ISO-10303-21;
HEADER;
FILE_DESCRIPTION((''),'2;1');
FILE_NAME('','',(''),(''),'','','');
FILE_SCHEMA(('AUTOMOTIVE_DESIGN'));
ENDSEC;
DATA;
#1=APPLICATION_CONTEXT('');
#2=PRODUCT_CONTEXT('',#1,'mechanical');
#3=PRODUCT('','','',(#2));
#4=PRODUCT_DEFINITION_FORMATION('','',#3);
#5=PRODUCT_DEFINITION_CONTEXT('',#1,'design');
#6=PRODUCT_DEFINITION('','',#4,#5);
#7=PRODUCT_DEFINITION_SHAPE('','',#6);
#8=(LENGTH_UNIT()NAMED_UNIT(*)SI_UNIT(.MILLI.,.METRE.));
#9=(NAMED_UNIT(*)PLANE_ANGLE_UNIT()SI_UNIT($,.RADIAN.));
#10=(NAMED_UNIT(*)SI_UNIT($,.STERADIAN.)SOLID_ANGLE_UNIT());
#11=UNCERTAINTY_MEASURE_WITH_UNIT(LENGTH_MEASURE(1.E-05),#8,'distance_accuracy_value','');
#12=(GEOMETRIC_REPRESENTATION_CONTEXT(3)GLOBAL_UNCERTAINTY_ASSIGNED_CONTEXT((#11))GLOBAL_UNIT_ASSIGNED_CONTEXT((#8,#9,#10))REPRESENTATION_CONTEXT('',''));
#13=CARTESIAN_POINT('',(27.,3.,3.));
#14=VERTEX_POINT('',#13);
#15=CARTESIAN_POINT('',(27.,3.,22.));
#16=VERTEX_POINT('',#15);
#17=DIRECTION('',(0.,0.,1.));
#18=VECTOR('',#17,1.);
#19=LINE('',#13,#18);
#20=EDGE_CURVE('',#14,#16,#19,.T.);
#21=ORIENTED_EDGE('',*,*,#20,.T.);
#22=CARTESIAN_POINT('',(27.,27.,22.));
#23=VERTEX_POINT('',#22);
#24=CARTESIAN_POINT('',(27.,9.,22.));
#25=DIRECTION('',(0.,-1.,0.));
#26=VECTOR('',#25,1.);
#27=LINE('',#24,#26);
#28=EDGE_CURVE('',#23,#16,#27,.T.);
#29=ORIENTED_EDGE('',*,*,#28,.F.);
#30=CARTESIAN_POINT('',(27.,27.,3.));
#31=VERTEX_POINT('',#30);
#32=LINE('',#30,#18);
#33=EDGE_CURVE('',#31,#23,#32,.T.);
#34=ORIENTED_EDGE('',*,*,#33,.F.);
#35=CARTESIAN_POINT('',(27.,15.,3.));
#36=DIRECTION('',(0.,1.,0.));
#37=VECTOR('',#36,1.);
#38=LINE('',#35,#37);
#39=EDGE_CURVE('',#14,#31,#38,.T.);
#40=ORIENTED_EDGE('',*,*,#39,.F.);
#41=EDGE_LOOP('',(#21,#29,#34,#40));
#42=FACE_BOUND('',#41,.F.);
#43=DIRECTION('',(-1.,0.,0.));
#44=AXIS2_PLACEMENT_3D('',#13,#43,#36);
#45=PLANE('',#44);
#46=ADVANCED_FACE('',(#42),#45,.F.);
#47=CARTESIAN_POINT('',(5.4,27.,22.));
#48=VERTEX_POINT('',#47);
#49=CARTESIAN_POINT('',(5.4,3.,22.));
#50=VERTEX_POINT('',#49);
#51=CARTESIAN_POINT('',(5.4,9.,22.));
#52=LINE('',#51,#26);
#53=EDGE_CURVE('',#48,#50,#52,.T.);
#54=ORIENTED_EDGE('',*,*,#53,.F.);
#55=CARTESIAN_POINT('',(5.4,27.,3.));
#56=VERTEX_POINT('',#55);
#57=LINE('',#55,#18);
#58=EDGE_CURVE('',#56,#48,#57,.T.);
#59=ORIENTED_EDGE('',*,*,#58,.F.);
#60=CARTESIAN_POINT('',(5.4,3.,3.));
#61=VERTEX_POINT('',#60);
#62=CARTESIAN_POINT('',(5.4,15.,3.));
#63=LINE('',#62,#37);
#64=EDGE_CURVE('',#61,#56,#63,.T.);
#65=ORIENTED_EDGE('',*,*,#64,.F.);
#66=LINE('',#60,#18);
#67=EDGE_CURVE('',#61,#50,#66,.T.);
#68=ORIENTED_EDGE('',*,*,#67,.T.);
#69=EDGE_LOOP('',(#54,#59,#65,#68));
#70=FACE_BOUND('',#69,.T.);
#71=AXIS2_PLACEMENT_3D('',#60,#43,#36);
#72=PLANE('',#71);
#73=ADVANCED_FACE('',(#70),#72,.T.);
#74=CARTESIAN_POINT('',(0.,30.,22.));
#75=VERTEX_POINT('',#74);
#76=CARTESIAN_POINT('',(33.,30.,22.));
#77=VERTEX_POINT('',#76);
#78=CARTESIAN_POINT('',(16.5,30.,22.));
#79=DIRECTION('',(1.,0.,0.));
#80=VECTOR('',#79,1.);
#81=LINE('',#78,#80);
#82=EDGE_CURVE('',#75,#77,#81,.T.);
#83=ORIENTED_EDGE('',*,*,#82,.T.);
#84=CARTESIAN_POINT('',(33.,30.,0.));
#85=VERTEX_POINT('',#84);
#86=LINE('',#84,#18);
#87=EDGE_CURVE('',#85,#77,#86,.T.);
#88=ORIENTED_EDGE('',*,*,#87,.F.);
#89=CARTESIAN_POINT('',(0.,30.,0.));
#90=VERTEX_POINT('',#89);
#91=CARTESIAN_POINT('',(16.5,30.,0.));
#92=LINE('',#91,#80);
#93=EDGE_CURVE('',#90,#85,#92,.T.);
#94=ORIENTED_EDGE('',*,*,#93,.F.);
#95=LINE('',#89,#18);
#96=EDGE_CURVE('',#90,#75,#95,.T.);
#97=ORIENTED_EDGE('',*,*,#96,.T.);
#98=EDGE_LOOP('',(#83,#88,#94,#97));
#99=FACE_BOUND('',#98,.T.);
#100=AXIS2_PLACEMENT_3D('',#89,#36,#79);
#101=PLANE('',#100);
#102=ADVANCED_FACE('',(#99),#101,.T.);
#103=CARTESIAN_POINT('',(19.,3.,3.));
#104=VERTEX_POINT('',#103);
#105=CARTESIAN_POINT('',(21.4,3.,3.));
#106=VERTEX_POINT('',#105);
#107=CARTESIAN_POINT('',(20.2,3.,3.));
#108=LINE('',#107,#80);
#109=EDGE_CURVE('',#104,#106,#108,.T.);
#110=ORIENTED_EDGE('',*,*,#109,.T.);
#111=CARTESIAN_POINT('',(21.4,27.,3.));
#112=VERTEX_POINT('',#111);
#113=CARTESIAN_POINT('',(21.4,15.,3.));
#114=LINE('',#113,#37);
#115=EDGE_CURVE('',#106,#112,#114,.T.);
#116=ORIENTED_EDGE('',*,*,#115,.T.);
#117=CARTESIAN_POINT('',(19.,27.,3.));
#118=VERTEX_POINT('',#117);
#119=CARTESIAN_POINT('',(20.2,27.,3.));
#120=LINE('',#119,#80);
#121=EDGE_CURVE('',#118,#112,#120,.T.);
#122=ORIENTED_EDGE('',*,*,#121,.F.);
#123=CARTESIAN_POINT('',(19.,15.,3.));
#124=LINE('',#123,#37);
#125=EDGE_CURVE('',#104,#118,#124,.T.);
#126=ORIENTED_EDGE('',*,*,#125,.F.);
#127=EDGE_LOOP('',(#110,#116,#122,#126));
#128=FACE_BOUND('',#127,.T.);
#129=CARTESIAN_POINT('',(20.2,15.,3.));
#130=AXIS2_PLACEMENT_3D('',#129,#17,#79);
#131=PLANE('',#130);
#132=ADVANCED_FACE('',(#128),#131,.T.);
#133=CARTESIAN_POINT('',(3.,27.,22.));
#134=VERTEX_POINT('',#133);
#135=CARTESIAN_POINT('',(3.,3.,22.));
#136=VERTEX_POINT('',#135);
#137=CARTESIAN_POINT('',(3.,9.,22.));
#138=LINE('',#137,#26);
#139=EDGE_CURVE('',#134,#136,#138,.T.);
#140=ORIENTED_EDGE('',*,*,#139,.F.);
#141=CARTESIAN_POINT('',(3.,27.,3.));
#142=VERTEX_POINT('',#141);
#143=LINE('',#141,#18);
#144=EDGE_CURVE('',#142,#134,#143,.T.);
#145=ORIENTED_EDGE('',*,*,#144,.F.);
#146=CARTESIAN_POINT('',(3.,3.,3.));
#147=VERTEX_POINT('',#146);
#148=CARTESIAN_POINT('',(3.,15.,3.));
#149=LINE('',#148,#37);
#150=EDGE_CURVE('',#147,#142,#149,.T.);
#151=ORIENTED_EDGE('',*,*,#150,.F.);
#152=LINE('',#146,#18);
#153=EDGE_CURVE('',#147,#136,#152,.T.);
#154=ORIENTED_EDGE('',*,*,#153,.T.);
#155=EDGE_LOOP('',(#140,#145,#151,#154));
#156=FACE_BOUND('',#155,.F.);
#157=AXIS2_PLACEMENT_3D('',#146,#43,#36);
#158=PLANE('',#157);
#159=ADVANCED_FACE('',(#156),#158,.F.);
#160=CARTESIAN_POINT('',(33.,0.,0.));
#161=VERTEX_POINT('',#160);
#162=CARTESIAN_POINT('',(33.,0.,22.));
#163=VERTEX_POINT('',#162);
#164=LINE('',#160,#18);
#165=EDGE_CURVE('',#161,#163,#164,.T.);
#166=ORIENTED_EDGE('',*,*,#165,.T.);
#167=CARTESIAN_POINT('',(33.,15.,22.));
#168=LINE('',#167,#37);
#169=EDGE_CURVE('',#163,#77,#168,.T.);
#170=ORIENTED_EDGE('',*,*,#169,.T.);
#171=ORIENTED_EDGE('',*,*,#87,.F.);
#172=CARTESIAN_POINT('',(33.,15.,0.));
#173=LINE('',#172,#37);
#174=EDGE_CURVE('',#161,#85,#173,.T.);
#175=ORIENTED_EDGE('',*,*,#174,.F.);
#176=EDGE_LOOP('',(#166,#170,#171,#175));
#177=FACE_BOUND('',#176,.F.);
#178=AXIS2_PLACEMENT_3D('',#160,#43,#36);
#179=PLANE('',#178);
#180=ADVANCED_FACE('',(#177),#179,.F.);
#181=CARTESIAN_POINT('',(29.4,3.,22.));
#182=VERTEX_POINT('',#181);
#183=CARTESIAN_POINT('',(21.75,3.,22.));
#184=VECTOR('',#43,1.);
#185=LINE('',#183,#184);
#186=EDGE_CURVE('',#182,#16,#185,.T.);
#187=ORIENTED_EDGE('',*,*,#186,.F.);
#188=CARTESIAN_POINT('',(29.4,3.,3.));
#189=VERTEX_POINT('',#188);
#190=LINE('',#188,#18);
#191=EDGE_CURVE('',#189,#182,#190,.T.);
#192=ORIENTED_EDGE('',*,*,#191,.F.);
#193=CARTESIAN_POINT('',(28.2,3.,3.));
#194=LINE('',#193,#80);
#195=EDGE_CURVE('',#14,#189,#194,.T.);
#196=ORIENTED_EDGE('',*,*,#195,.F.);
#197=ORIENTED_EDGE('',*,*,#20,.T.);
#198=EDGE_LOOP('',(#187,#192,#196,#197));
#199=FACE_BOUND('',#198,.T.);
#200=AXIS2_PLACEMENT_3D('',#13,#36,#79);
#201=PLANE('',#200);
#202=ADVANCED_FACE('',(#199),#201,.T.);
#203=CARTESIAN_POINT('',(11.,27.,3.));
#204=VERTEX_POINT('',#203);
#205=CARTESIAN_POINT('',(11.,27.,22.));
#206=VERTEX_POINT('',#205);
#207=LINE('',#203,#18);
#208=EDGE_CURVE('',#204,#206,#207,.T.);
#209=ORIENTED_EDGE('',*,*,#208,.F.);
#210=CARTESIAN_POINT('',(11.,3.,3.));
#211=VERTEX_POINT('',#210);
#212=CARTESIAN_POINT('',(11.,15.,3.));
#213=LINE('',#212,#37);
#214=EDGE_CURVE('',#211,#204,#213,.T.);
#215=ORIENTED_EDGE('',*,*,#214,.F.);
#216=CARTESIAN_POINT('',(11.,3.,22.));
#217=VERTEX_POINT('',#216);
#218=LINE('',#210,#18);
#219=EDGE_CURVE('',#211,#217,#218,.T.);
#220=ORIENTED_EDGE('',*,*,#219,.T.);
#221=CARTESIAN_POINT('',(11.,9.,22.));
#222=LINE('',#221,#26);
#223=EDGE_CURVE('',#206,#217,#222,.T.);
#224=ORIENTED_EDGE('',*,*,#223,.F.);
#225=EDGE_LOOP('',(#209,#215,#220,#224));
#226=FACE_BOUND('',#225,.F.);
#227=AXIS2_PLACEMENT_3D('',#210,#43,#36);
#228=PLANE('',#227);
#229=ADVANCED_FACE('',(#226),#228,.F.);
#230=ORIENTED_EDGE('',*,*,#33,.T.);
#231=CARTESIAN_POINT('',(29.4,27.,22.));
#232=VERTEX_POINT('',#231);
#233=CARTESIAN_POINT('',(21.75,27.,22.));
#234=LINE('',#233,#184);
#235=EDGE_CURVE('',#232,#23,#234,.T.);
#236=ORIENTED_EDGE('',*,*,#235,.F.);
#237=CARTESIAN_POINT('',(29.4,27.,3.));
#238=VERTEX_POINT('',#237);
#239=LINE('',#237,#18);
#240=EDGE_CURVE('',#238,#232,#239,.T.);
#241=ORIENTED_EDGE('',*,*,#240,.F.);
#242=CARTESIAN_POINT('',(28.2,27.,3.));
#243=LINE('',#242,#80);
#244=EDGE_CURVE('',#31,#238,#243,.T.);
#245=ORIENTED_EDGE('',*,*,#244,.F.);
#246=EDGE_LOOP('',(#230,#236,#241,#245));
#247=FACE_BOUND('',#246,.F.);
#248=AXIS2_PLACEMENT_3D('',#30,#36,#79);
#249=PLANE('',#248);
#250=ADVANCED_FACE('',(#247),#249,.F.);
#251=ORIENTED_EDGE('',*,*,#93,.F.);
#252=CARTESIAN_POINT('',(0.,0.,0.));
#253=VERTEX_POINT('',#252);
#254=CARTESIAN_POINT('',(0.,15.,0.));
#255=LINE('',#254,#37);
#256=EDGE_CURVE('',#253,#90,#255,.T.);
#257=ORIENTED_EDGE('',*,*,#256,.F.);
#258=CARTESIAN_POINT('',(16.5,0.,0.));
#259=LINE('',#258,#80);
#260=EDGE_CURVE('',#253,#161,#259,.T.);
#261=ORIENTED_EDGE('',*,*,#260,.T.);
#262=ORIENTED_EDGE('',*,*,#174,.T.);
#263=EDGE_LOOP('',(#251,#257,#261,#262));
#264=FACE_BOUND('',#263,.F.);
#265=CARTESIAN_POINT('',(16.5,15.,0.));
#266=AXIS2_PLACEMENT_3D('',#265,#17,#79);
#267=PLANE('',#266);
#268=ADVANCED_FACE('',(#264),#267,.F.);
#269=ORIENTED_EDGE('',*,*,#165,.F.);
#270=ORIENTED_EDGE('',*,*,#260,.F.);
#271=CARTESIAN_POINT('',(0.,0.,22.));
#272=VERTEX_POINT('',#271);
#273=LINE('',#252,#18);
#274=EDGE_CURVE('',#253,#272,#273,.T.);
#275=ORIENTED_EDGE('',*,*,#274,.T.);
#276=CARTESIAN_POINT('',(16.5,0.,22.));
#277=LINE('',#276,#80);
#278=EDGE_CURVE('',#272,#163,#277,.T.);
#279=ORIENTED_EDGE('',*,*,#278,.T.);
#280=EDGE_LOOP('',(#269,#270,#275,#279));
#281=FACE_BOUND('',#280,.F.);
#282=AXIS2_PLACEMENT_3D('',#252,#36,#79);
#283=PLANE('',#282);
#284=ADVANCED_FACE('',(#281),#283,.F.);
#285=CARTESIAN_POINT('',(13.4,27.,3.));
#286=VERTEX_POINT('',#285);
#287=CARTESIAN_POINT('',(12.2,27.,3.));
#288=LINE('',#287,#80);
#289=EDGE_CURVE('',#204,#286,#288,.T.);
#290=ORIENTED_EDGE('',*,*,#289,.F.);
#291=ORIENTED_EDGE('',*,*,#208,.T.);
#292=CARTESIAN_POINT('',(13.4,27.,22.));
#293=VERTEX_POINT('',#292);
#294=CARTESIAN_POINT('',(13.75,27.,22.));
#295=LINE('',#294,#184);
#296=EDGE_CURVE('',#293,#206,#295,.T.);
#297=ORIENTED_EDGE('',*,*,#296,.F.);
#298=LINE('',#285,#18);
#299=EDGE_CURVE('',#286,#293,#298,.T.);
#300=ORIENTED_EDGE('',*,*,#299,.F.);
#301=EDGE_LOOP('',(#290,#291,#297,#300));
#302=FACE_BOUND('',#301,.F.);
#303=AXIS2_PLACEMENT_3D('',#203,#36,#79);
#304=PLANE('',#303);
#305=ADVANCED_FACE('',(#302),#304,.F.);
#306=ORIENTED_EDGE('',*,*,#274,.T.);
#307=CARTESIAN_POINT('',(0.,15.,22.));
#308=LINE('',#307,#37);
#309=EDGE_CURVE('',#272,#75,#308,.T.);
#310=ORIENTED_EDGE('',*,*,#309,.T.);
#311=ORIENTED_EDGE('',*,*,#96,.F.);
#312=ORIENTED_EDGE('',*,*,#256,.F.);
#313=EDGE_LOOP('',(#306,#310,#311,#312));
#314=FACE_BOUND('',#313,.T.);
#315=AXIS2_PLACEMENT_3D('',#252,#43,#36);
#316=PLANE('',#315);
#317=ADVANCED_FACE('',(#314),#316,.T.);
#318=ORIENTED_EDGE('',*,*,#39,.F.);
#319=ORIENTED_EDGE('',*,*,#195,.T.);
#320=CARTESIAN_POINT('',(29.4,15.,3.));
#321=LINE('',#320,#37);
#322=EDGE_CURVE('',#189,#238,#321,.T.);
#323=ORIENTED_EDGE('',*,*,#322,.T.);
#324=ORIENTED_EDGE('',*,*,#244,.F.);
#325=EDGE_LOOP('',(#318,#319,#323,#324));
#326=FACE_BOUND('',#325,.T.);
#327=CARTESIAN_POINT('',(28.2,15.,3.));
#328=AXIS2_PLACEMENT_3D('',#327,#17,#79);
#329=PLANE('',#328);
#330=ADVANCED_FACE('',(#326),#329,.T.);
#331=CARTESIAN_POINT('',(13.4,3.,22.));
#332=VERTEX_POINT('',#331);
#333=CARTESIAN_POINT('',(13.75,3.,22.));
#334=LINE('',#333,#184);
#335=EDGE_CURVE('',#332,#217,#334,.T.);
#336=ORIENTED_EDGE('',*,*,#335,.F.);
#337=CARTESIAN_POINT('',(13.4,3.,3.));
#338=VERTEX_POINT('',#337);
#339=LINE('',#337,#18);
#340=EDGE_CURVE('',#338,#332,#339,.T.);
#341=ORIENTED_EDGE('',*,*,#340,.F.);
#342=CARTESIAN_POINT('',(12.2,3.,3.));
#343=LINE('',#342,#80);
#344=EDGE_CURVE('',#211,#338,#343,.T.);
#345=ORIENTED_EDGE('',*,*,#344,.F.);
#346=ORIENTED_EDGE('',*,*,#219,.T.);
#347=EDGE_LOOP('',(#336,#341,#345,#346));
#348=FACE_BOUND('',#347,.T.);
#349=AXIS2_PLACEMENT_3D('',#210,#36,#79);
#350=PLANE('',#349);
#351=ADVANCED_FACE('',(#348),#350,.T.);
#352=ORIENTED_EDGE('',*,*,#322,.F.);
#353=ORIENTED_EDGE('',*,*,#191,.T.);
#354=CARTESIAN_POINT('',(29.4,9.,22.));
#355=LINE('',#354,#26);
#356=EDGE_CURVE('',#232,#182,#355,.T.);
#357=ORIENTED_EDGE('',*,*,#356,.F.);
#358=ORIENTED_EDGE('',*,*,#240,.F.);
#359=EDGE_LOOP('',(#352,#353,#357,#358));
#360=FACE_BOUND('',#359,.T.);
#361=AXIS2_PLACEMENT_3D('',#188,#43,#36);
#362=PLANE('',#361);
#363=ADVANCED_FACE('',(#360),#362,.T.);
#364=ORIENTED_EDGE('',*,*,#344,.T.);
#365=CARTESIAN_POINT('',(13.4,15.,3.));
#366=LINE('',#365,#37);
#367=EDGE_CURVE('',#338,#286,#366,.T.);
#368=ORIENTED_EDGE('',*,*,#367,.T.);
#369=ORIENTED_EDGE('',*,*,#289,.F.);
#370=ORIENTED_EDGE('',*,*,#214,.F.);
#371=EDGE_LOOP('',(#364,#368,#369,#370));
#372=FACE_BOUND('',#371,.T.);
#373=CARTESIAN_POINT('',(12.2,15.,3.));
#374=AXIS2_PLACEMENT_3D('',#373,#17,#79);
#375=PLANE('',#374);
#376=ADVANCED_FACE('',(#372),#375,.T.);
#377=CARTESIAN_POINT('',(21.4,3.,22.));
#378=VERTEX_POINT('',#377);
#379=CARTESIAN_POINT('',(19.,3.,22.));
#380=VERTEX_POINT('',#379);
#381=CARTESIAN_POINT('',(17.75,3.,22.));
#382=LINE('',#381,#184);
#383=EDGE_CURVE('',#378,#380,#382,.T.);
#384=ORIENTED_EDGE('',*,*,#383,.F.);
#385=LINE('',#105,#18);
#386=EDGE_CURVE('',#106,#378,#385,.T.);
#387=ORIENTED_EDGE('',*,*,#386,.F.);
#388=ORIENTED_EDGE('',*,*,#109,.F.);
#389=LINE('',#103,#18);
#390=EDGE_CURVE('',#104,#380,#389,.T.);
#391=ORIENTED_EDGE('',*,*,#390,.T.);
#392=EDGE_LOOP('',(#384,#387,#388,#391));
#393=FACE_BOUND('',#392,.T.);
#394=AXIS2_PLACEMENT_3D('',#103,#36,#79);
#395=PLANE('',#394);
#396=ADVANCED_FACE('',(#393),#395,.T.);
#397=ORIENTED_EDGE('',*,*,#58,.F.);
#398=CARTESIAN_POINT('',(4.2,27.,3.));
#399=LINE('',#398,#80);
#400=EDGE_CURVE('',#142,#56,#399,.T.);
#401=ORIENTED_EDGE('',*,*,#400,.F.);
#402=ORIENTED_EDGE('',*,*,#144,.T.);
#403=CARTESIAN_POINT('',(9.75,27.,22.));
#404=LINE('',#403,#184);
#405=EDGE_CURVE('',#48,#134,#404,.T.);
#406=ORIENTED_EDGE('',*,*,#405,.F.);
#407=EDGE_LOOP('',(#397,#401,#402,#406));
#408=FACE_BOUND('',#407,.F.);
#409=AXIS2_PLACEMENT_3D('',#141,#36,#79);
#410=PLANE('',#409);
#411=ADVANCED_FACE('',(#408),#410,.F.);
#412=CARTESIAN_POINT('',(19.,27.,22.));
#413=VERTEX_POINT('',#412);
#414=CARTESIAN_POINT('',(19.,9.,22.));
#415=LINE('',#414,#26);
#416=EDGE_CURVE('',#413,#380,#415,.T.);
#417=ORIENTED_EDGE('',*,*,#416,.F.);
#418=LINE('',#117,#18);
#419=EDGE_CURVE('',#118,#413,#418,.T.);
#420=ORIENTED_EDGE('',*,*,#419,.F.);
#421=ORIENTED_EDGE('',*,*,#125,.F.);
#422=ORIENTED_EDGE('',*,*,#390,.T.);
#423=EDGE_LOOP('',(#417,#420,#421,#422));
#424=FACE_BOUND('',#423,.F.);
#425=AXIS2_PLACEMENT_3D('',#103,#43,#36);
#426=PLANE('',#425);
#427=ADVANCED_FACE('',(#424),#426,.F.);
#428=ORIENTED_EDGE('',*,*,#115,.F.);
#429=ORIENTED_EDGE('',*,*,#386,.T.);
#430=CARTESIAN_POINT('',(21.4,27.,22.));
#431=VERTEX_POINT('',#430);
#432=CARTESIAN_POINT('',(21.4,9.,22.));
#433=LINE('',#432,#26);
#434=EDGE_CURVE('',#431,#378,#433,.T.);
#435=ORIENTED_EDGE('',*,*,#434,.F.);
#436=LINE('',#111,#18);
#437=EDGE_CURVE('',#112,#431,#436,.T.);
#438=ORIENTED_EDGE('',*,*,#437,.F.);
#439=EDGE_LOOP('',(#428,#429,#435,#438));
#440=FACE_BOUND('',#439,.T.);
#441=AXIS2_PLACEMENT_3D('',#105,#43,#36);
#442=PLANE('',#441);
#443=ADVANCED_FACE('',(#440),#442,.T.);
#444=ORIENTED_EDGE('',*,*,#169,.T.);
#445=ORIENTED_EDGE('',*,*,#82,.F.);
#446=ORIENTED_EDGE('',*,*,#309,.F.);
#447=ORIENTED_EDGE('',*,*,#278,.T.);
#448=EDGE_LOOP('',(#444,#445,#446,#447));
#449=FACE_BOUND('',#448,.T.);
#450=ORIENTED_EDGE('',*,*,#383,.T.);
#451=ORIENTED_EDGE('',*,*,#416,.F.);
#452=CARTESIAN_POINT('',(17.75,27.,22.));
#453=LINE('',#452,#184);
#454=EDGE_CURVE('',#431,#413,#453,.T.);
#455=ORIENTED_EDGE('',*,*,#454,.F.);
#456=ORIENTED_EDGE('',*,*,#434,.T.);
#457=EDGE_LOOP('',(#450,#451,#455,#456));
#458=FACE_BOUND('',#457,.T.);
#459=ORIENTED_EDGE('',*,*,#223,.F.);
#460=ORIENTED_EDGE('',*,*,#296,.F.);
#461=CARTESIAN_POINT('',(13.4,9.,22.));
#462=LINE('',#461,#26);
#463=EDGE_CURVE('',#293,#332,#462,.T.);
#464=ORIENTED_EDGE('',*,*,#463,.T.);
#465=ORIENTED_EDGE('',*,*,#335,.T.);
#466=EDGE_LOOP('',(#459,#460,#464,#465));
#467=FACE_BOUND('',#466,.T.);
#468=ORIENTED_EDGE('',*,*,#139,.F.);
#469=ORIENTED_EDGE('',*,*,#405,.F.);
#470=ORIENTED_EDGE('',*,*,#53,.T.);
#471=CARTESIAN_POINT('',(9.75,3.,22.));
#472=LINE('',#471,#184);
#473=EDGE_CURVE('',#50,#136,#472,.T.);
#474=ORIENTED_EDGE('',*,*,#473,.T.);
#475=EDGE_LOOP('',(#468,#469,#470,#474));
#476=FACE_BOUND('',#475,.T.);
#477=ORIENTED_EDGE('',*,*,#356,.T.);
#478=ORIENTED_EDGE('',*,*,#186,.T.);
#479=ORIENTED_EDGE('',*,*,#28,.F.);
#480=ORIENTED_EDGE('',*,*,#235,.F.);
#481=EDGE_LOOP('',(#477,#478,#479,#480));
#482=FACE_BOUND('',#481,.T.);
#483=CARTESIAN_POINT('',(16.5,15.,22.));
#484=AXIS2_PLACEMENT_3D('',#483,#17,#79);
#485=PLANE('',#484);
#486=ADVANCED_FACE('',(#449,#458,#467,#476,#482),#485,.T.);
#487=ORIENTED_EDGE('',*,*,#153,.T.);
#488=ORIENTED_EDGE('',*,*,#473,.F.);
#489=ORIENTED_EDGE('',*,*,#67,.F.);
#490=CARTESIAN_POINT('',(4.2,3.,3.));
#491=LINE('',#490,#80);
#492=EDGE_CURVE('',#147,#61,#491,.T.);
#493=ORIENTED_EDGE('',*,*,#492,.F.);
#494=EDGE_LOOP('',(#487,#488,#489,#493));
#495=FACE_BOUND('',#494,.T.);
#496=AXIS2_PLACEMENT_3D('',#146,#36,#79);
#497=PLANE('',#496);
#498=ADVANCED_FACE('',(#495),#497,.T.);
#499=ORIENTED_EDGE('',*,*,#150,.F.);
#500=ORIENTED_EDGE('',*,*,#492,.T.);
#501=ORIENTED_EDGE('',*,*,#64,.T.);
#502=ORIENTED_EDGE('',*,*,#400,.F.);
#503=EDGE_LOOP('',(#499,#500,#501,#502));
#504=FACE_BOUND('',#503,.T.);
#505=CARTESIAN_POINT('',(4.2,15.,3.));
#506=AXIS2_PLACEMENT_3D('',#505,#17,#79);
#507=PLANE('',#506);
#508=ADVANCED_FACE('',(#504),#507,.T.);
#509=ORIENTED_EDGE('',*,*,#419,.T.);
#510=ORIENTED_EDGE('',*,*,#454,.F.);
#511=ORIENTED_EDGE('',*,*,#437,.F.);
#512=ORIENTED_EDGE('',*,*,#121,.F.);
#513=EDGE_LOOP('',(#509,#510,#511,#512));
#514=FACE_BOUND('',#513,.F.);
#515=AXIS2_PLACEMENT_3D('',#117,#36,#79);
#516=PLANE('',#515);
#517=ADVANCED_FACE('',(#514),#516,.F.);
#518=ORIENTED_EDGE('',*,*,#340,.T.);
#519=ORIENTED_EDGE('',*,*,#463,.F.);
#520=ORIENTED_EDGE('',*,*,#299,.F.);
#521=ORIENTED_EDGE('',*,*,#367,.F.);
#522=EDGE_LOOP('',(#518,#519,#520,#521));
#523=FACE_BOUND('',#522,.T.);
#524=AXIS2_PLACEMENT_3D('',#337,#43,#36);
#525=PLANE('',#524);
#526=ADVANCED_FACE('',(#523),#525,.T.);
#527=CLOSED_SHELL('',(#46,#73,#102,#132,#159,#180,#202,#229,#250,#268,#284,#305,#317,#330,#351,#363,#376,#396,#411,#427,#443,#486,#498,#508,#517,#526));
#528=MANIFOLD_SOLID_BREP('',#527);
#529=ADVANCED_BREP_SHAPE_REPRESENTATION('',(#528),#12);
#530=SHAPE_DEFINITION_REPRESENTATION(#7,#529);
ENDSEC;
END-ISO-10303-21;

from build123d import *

# Parameters (mm, degrees)
BOX_W        = 2.4
BOX_H        = 24
BOX_DEPTH    = 22
BOX001_W     = 2.4
BOX001_H     = 24
BOX001_DEPTH = 22
BOX002_W     = 2.4
BOX002_H     = 24
BOX002_DEPTH = 22
BOX003_W     = 2.4
BOX003_H     = 24
BOX003_DEPTH = 22
BOX004_W     = 33
BOX004_H     = 30
BOX004_DEPTH = 22


with BuildPart() as slot:
    # Box → Box (new body)
    with BuildSketch(Plane.XY):
        with Locations((1.2, 12)):
            Rectangle(BOX_W, BOX_H)
    extrude(amount=BOX_DEPTH)


with BuildPart() as slot001:
    # Box001 → Box001 (new body)
    with BuildSketch(Plane(origin=(8, 0, 0), x_dir=(1, 0, 0), z_dir=(0, 0, 1))):
        with Locations((1.2, 12)):
            Rectangle(BOX001_W, BOX001_H)
    extrude(amount=BOX001_DEPTH)


with BuildPart() as slot002:
    # Box002 → Box002 (new body)
    with BuildSketch(Plane(origin=(16, 0, 0), x_dir=(1, 0, 0), z_dir=(0, 0, 1))):
        with Locations((1.2, 12)):
            Rectangle(BOX002_W, BOX002_H)
    extrude(amount=BOX002_DEPTH)


with BuildPart() as slots:
    # Box003 → Box003 (new body)
    with BuildSketch(Plane(origin=(24, 0, 0), x_dir=(1, 0, 0), z_dir=(0, 0, 1))):
        with Locations((1.2, 12)):
            Rectangle(BOX003_W, BOX003_H)
    extrude(amount=BOX003_DEPTH)

    # Fusion: union slot, slot001, slot002
    add(slot.part)
    add(slot001.part)
    add(slot002.part)


with BuildPart() as sd_holder:
    # Box004 → Box004 (new body)
    with BuildSketch(Plane(origin=(-3, -3, -3), x_dir=(1, 0, 0), z_dir=(0, 0, 1))):
        with Locations((16.5, 15)):
            Rectangle(BOX004_W, BOX004_H)
    extrude(amount=BOX004_DEPTH)

    # Cut: cut slots
    add(slots.part, mode=Mode.SUBTRACT)


with BuildPart() as sd_holder_1:
    # Cut placement: moved
    add(sd_holder.part.moved(Location((3, 3, 3))))


solid = sd_holder_1.part
